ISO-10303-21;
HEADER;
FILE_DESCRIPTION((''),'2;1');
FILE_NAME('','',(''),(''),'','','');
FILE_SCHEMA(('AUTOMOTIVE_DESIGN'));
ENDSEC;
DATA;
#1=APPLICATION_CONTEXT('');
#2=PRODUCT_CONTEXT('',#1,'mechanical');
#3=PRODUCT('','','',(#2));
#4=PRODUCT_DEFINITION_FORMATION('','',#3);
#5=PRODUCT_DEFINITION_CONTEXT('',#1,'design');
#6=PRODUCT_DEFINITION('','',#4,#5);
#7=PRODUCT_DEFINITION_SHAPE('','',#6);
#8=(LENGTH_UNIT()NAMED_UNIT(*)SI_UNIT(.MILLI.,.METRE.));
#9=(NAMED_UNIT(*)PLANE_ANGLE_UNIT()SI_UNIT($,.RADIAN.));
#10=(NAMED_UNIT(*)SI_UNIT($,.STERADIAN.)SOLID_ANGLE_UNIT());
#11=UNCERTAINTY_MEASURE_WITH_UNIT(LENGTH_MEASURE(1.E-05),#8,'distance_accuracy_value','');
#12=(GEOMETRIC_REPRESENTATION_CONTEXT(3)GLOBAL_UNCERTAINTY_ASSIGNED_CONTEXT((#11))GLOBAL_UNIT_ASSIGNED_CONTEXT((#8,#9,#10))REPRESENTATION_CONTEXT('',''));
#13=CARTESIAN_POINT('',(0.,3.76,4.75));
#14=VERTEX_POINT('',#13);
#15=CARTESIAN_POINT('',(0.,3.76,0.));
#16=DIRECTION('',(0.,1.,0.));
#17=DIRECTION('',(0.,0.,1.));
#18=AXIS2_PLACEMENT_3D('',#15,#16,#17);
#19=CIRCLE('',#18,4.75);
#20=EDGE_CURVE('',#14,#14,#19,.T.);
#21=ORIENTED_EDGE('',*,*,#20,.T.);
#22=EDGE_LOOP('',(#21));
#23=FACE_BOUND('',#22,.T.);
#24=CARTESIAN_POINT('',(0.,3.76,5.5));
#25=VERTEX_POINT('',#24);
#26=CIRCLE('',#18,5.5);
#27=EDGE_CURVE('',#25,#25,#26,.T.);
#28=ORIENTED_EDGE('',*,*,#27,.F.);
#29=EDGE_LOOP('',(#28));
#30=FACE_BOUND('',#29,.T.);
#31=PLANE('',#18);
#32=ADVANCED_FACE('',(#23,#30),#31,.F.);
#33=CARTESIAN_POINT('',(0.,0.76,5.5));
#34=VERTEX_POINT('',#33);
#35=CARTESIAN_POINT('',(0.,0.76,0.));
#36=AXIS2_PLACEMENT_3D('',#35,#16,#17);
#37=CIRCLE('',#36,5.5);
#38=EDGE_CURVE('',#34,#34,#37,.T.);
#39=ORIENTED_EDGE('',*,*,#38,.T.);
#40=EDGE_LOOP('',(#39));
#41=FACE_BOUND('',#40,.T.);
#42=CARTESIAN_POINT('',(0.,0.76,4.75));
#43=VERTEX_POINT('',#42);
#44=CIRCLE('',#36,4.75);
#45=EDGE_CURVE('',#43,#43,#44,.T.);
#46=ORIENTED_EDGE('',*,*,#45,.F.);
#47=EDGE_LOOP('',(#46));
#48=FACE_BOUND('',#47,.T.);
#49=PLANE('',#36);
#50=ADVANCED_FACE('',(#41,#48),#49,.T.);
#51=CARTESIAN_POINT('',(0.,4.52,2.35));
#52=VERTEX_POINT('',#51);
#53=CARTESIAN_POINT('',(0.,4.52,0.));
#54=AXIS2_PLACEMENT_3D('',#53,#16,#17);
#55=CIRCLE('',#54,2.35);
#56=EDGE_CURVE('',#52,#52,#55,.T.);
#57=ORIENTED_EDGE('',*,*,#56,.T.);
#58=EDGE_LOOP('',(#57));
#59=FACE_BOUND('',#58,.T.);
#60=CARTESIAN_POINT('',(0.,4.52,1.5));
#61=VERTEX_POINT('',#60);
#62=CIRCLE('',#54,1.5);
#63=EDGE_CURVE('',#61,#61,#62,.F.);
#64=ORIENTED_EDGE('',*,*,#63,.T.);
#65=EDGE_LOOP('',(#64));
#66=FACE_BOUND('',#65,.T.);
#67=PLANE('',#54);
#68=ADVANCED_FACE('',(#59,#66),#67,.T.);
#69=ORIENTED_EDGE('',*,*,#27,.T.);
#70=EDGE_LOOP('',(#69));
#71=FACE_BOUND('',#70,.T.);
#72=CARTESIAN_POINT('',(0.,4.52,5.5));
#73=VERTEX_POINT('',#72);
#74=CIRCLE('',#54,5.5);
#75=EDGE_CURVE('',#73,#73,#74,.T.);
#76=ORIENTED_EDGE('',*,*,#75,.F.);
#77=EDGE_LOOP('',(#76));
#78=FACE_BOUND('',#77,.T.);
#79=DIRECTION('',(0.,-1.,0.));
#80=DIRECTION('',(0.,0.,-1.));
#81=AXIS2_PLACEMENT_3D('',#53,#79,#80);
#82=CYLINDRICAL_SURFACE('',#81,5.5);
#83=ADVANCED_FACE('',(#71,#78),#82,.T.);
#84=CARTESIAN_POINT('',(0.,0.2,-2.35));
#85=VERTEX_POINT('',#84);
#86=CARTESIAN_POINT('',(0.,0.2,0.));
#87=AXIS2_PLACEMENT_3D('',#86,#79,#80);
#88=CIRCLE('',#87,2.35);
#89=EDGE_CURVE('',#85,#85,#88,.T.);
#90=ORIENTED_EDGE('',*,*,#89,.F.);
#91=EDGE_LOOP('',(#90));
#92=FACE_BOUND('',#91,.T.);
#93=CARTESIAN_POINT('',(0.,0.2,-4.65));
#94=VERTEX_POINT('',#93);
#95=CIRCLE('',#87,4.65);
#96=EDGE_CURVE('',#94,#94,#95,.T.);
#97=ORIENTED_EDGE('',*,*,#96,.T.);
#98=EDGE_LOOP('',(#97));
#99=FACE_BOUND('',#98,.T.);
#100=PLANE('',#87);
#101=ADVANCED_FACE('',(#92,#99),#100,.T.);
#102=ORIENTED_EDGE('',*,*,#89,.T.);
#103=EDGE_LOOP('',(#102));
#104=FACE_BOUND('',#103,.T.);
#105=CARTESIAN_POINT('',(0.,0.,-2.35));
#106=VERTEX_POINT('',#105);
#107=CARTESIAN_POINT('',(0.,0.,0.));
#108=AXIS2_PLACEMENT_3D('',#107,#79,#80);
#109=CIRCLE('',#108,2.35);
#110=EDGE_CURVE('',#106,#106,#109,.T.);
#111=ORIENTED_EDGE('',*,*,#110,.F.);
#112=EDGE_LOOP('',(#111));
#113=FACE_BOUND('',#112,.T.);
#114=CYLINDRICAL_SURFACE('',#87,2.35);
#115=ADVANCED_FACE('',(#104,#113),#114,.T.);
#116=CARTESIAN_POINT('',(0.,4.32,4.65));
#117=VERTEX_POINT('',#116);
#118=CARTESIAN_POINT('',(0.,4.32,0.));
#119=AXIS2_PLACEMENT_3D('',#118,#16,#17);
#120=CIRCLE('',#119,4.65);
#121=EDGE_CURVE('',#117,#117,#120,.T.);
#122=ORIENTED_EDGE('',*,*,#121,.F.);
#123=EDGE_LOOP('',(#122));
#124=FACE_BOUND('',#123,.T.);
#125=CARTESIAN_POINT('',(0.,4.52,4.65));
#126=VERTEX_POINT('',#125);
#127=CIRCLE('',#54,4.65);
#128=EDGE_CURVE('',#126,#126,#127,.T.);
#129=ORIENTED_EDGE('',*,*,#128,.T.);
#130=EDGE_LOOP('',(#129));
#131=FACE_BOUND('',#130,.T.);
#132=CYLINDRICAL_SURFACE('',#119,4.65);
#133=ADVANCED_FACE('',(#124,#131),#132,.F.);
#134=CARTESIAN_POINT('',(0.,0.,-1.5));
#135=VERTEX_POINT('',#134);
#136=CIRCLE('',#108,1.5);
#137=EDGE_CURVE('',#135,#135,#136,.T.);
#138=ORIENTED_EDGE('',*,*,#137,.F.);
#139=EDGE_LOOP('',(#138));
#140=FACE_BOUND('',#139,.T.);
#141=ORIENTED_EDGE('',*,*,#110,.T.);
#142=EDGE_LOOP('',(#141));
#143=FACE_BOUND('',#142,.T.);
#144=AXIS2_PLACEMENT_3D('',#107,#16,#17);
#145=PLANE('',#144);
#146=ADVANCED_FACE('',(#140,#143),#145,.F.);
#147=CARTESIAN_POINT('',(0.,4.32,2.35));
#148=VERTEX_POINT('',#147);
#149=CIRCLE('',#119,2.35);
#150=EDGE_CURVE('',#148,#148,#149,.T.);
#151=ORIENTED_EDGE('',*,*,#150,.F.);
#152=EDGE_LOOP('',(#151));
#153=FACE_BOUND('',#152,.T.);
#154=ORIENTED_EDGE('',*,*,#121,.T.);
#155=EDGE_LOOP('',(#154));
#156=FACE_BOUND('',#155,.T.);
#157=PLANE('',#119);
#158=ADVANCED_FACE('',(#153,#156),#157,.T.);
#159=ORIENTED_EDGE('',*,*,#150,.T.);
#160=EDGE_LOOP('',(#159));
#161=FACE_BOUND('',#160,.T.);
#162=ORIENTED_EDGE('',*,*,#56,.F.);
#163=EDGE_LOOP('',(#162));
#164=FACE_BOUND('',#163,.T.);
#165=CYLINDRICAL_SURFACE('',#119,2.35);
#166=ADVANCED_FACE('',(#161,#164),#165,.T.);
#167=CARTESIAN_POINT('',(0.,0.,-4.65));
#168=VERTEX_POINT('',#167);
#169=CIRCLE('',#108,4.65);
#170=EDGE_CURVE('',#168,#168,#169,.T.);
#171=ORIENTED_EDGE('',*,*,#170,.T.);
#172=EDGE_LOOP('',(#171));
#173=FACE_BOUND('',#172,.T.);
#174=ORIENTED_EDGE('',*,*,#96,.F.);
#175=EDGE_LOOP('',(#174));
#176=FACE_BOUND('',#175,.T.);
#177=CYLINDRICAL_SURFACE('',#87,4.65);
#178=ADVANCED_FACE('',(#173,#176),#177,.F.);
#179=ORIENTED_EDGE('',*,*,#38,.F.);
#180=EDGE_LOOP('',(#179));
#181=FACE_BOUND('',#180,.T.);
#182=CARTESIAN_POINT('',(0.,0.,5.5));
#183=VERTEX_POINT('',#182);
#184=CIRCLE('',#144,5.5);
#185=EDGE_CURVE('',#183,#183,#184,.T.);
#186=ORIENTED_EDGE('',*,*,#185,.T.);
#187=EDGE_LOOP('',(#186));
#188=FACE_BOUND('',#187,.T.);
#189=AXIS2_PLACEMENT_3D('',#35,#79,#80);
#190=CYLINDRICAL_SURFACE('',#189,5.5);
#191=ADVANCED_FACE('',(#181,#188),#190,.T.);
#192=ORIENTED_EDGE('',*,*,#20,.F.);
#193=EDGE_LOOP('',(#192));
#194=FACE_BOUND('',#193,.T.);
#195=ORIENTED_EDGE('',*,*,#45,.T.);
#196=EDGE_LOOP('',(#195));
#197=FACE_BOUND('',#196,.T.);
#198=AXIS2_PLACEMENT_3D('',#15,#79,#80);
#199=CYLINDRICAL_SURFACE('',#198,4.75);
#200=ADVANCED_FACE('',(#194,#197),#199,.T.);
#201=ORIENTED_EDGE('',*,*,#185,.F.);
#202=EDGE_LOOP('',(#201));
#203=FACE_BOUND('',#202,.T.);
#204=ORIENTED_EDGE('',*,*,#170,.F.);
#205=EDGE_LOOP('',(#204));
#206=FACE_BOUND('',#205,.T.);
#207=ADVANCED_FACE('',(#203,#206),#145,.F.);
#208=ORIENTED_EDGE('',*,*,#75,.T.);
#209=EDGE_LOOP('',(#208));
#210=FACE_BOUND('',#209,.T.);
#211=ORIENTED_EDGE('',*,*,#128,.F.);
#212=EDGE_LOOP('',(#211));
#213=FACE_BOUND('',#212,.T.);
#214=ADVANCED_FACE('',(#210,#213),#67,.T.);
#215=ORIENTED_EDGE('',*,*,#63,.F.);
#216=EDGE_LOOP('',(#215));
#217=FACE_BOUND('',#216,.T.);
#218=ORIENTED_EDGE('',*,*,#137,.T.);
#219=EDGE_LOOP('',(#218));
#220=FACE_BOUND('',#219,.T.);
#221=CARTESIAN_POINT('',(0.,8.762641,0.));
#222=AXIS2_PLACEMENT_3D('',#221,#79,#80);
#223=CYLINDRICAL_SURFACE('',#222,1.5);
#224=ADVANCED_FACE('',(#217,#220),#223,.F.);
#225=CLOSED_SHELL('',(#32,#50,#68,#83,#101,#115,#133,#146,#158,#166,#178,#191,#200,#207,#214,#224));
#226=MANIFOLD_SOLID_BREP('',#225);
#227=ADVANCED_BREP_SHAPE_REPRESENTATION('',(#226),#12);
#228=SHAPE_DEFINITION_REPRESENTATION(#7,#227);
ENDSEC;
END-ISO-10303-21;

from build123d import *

# Parameters (mm, degrees)
SKETCH1_R           = 5.5
BOSS_EXTRUDE1_DEPTH = 0.76
SKETCH2_R           = 4.75
BOSS_EXTRUDE2_DEPTH = 3
SKETCH3_R           = 5.5
BOSS_EXTRUDE3_DEPTH = 0.76
SKETCH4_R           = 1.5
CUT_EXTRUDE1_DEPTH  = 4.52
SKETCH5_R           = 4.65
SKETCH5_R_2         = 2.35
CUT_EXTRUDE2_DEPTH  = 0.2
CUT_EXTRUDE3_START  = -0.2
SKETCH6_R           = 4.65
SKETCH6_R_2         = 2.35
CUT_EXTRUDE3_DEPTH  = 0.2


with BuildPart() as part:
    # Sketch1 → Boss-Extrude1 (new body)
    with BuildSketch(Plane(origin=(0, 0, 0), x_dir=(1, 0, 0), z_dir=(0, 1, 0))):
        with Locations(Location((0, 0, 0), (0, 0, 270))):
            Circle(SKETCH1_R)
    extrude(amount=BOSS_EXTRUDE1_DEPTH)

    # Sketch2 → Boss-Extrude2 (add)
    with BuildSketch(Plane(origin=(0, 0.76, 0), x_dir=(1, 0, 0), z_dir=(0, 1, 0))):
        with Locations(Location((0, 0, 0), (0, 0, 270))):
            Circle(SKETCH2_R)
    extrude(amount=BOSS_EXTRUDE2_DEPTH)

    # Sketch3 → Boss-Extrude3 (add)
    with BuildSketch(Plane(origin=(0, 3.76, 0), x_dir=(1, 0, 0), z_dir=(0, 1, 0))):
        with Locations(Location((0, 0, 0), (0, 0, 270))):
            Circle(SKETCH3_R)
    extrude(amount=BOSS_EXTRUDE3_DEPTH)

    # Sketch4 → Cut-Extrude1 (cut)
    with BuildSketch(Plane.XZ):
        with Locations(Location((0, 0, 0), (0, 0, 270))):
            Circle(SKETCH4_R)
    extrude(amount=-CUT_EXTRUDE1_DEPTH, mode=Mode.SUBTRACT)

    # Sketch5 → Cut-Extrude2 (cut)
    with BuildSketch(Plane(origin=(0, 4.52, 0), x_dir=(1, 0, 0), z_dir=(0, 1, 0))):
        with Locations(Location((0, 0, 0), (0, 0, 270))):
            Circle(SKETCH5_R)
        with Locations(Location((0, 0, 0), (0, 0, 270))):
            Circle(SKETCH5_R_2, mode=Mode.SUBTRACT)
    extrude(amount=-CUT_EXTRUDE2_DEPTH, mode=Mode.SUBTRACT)

    # Sketch6 → Cut-Extrude3 (cut)
    with BuildSketch(Plane.XZ.offset(CUT_EXTRUDE3_START)):
        with Locations(Location((0, 0, 0), (0, 0, 90))):
            Circle(SKETCH6_R)
        with Locations(Location((0, 0, 0), (0, 0, 90))):
            Circle(SKETCH6_R_2, mode=Mode.SUBTRACT)
    extrude(amount=CUT_EXTRUDE3_DEPTH, mode=Mode.SUBTRACT)


solid = part.part
